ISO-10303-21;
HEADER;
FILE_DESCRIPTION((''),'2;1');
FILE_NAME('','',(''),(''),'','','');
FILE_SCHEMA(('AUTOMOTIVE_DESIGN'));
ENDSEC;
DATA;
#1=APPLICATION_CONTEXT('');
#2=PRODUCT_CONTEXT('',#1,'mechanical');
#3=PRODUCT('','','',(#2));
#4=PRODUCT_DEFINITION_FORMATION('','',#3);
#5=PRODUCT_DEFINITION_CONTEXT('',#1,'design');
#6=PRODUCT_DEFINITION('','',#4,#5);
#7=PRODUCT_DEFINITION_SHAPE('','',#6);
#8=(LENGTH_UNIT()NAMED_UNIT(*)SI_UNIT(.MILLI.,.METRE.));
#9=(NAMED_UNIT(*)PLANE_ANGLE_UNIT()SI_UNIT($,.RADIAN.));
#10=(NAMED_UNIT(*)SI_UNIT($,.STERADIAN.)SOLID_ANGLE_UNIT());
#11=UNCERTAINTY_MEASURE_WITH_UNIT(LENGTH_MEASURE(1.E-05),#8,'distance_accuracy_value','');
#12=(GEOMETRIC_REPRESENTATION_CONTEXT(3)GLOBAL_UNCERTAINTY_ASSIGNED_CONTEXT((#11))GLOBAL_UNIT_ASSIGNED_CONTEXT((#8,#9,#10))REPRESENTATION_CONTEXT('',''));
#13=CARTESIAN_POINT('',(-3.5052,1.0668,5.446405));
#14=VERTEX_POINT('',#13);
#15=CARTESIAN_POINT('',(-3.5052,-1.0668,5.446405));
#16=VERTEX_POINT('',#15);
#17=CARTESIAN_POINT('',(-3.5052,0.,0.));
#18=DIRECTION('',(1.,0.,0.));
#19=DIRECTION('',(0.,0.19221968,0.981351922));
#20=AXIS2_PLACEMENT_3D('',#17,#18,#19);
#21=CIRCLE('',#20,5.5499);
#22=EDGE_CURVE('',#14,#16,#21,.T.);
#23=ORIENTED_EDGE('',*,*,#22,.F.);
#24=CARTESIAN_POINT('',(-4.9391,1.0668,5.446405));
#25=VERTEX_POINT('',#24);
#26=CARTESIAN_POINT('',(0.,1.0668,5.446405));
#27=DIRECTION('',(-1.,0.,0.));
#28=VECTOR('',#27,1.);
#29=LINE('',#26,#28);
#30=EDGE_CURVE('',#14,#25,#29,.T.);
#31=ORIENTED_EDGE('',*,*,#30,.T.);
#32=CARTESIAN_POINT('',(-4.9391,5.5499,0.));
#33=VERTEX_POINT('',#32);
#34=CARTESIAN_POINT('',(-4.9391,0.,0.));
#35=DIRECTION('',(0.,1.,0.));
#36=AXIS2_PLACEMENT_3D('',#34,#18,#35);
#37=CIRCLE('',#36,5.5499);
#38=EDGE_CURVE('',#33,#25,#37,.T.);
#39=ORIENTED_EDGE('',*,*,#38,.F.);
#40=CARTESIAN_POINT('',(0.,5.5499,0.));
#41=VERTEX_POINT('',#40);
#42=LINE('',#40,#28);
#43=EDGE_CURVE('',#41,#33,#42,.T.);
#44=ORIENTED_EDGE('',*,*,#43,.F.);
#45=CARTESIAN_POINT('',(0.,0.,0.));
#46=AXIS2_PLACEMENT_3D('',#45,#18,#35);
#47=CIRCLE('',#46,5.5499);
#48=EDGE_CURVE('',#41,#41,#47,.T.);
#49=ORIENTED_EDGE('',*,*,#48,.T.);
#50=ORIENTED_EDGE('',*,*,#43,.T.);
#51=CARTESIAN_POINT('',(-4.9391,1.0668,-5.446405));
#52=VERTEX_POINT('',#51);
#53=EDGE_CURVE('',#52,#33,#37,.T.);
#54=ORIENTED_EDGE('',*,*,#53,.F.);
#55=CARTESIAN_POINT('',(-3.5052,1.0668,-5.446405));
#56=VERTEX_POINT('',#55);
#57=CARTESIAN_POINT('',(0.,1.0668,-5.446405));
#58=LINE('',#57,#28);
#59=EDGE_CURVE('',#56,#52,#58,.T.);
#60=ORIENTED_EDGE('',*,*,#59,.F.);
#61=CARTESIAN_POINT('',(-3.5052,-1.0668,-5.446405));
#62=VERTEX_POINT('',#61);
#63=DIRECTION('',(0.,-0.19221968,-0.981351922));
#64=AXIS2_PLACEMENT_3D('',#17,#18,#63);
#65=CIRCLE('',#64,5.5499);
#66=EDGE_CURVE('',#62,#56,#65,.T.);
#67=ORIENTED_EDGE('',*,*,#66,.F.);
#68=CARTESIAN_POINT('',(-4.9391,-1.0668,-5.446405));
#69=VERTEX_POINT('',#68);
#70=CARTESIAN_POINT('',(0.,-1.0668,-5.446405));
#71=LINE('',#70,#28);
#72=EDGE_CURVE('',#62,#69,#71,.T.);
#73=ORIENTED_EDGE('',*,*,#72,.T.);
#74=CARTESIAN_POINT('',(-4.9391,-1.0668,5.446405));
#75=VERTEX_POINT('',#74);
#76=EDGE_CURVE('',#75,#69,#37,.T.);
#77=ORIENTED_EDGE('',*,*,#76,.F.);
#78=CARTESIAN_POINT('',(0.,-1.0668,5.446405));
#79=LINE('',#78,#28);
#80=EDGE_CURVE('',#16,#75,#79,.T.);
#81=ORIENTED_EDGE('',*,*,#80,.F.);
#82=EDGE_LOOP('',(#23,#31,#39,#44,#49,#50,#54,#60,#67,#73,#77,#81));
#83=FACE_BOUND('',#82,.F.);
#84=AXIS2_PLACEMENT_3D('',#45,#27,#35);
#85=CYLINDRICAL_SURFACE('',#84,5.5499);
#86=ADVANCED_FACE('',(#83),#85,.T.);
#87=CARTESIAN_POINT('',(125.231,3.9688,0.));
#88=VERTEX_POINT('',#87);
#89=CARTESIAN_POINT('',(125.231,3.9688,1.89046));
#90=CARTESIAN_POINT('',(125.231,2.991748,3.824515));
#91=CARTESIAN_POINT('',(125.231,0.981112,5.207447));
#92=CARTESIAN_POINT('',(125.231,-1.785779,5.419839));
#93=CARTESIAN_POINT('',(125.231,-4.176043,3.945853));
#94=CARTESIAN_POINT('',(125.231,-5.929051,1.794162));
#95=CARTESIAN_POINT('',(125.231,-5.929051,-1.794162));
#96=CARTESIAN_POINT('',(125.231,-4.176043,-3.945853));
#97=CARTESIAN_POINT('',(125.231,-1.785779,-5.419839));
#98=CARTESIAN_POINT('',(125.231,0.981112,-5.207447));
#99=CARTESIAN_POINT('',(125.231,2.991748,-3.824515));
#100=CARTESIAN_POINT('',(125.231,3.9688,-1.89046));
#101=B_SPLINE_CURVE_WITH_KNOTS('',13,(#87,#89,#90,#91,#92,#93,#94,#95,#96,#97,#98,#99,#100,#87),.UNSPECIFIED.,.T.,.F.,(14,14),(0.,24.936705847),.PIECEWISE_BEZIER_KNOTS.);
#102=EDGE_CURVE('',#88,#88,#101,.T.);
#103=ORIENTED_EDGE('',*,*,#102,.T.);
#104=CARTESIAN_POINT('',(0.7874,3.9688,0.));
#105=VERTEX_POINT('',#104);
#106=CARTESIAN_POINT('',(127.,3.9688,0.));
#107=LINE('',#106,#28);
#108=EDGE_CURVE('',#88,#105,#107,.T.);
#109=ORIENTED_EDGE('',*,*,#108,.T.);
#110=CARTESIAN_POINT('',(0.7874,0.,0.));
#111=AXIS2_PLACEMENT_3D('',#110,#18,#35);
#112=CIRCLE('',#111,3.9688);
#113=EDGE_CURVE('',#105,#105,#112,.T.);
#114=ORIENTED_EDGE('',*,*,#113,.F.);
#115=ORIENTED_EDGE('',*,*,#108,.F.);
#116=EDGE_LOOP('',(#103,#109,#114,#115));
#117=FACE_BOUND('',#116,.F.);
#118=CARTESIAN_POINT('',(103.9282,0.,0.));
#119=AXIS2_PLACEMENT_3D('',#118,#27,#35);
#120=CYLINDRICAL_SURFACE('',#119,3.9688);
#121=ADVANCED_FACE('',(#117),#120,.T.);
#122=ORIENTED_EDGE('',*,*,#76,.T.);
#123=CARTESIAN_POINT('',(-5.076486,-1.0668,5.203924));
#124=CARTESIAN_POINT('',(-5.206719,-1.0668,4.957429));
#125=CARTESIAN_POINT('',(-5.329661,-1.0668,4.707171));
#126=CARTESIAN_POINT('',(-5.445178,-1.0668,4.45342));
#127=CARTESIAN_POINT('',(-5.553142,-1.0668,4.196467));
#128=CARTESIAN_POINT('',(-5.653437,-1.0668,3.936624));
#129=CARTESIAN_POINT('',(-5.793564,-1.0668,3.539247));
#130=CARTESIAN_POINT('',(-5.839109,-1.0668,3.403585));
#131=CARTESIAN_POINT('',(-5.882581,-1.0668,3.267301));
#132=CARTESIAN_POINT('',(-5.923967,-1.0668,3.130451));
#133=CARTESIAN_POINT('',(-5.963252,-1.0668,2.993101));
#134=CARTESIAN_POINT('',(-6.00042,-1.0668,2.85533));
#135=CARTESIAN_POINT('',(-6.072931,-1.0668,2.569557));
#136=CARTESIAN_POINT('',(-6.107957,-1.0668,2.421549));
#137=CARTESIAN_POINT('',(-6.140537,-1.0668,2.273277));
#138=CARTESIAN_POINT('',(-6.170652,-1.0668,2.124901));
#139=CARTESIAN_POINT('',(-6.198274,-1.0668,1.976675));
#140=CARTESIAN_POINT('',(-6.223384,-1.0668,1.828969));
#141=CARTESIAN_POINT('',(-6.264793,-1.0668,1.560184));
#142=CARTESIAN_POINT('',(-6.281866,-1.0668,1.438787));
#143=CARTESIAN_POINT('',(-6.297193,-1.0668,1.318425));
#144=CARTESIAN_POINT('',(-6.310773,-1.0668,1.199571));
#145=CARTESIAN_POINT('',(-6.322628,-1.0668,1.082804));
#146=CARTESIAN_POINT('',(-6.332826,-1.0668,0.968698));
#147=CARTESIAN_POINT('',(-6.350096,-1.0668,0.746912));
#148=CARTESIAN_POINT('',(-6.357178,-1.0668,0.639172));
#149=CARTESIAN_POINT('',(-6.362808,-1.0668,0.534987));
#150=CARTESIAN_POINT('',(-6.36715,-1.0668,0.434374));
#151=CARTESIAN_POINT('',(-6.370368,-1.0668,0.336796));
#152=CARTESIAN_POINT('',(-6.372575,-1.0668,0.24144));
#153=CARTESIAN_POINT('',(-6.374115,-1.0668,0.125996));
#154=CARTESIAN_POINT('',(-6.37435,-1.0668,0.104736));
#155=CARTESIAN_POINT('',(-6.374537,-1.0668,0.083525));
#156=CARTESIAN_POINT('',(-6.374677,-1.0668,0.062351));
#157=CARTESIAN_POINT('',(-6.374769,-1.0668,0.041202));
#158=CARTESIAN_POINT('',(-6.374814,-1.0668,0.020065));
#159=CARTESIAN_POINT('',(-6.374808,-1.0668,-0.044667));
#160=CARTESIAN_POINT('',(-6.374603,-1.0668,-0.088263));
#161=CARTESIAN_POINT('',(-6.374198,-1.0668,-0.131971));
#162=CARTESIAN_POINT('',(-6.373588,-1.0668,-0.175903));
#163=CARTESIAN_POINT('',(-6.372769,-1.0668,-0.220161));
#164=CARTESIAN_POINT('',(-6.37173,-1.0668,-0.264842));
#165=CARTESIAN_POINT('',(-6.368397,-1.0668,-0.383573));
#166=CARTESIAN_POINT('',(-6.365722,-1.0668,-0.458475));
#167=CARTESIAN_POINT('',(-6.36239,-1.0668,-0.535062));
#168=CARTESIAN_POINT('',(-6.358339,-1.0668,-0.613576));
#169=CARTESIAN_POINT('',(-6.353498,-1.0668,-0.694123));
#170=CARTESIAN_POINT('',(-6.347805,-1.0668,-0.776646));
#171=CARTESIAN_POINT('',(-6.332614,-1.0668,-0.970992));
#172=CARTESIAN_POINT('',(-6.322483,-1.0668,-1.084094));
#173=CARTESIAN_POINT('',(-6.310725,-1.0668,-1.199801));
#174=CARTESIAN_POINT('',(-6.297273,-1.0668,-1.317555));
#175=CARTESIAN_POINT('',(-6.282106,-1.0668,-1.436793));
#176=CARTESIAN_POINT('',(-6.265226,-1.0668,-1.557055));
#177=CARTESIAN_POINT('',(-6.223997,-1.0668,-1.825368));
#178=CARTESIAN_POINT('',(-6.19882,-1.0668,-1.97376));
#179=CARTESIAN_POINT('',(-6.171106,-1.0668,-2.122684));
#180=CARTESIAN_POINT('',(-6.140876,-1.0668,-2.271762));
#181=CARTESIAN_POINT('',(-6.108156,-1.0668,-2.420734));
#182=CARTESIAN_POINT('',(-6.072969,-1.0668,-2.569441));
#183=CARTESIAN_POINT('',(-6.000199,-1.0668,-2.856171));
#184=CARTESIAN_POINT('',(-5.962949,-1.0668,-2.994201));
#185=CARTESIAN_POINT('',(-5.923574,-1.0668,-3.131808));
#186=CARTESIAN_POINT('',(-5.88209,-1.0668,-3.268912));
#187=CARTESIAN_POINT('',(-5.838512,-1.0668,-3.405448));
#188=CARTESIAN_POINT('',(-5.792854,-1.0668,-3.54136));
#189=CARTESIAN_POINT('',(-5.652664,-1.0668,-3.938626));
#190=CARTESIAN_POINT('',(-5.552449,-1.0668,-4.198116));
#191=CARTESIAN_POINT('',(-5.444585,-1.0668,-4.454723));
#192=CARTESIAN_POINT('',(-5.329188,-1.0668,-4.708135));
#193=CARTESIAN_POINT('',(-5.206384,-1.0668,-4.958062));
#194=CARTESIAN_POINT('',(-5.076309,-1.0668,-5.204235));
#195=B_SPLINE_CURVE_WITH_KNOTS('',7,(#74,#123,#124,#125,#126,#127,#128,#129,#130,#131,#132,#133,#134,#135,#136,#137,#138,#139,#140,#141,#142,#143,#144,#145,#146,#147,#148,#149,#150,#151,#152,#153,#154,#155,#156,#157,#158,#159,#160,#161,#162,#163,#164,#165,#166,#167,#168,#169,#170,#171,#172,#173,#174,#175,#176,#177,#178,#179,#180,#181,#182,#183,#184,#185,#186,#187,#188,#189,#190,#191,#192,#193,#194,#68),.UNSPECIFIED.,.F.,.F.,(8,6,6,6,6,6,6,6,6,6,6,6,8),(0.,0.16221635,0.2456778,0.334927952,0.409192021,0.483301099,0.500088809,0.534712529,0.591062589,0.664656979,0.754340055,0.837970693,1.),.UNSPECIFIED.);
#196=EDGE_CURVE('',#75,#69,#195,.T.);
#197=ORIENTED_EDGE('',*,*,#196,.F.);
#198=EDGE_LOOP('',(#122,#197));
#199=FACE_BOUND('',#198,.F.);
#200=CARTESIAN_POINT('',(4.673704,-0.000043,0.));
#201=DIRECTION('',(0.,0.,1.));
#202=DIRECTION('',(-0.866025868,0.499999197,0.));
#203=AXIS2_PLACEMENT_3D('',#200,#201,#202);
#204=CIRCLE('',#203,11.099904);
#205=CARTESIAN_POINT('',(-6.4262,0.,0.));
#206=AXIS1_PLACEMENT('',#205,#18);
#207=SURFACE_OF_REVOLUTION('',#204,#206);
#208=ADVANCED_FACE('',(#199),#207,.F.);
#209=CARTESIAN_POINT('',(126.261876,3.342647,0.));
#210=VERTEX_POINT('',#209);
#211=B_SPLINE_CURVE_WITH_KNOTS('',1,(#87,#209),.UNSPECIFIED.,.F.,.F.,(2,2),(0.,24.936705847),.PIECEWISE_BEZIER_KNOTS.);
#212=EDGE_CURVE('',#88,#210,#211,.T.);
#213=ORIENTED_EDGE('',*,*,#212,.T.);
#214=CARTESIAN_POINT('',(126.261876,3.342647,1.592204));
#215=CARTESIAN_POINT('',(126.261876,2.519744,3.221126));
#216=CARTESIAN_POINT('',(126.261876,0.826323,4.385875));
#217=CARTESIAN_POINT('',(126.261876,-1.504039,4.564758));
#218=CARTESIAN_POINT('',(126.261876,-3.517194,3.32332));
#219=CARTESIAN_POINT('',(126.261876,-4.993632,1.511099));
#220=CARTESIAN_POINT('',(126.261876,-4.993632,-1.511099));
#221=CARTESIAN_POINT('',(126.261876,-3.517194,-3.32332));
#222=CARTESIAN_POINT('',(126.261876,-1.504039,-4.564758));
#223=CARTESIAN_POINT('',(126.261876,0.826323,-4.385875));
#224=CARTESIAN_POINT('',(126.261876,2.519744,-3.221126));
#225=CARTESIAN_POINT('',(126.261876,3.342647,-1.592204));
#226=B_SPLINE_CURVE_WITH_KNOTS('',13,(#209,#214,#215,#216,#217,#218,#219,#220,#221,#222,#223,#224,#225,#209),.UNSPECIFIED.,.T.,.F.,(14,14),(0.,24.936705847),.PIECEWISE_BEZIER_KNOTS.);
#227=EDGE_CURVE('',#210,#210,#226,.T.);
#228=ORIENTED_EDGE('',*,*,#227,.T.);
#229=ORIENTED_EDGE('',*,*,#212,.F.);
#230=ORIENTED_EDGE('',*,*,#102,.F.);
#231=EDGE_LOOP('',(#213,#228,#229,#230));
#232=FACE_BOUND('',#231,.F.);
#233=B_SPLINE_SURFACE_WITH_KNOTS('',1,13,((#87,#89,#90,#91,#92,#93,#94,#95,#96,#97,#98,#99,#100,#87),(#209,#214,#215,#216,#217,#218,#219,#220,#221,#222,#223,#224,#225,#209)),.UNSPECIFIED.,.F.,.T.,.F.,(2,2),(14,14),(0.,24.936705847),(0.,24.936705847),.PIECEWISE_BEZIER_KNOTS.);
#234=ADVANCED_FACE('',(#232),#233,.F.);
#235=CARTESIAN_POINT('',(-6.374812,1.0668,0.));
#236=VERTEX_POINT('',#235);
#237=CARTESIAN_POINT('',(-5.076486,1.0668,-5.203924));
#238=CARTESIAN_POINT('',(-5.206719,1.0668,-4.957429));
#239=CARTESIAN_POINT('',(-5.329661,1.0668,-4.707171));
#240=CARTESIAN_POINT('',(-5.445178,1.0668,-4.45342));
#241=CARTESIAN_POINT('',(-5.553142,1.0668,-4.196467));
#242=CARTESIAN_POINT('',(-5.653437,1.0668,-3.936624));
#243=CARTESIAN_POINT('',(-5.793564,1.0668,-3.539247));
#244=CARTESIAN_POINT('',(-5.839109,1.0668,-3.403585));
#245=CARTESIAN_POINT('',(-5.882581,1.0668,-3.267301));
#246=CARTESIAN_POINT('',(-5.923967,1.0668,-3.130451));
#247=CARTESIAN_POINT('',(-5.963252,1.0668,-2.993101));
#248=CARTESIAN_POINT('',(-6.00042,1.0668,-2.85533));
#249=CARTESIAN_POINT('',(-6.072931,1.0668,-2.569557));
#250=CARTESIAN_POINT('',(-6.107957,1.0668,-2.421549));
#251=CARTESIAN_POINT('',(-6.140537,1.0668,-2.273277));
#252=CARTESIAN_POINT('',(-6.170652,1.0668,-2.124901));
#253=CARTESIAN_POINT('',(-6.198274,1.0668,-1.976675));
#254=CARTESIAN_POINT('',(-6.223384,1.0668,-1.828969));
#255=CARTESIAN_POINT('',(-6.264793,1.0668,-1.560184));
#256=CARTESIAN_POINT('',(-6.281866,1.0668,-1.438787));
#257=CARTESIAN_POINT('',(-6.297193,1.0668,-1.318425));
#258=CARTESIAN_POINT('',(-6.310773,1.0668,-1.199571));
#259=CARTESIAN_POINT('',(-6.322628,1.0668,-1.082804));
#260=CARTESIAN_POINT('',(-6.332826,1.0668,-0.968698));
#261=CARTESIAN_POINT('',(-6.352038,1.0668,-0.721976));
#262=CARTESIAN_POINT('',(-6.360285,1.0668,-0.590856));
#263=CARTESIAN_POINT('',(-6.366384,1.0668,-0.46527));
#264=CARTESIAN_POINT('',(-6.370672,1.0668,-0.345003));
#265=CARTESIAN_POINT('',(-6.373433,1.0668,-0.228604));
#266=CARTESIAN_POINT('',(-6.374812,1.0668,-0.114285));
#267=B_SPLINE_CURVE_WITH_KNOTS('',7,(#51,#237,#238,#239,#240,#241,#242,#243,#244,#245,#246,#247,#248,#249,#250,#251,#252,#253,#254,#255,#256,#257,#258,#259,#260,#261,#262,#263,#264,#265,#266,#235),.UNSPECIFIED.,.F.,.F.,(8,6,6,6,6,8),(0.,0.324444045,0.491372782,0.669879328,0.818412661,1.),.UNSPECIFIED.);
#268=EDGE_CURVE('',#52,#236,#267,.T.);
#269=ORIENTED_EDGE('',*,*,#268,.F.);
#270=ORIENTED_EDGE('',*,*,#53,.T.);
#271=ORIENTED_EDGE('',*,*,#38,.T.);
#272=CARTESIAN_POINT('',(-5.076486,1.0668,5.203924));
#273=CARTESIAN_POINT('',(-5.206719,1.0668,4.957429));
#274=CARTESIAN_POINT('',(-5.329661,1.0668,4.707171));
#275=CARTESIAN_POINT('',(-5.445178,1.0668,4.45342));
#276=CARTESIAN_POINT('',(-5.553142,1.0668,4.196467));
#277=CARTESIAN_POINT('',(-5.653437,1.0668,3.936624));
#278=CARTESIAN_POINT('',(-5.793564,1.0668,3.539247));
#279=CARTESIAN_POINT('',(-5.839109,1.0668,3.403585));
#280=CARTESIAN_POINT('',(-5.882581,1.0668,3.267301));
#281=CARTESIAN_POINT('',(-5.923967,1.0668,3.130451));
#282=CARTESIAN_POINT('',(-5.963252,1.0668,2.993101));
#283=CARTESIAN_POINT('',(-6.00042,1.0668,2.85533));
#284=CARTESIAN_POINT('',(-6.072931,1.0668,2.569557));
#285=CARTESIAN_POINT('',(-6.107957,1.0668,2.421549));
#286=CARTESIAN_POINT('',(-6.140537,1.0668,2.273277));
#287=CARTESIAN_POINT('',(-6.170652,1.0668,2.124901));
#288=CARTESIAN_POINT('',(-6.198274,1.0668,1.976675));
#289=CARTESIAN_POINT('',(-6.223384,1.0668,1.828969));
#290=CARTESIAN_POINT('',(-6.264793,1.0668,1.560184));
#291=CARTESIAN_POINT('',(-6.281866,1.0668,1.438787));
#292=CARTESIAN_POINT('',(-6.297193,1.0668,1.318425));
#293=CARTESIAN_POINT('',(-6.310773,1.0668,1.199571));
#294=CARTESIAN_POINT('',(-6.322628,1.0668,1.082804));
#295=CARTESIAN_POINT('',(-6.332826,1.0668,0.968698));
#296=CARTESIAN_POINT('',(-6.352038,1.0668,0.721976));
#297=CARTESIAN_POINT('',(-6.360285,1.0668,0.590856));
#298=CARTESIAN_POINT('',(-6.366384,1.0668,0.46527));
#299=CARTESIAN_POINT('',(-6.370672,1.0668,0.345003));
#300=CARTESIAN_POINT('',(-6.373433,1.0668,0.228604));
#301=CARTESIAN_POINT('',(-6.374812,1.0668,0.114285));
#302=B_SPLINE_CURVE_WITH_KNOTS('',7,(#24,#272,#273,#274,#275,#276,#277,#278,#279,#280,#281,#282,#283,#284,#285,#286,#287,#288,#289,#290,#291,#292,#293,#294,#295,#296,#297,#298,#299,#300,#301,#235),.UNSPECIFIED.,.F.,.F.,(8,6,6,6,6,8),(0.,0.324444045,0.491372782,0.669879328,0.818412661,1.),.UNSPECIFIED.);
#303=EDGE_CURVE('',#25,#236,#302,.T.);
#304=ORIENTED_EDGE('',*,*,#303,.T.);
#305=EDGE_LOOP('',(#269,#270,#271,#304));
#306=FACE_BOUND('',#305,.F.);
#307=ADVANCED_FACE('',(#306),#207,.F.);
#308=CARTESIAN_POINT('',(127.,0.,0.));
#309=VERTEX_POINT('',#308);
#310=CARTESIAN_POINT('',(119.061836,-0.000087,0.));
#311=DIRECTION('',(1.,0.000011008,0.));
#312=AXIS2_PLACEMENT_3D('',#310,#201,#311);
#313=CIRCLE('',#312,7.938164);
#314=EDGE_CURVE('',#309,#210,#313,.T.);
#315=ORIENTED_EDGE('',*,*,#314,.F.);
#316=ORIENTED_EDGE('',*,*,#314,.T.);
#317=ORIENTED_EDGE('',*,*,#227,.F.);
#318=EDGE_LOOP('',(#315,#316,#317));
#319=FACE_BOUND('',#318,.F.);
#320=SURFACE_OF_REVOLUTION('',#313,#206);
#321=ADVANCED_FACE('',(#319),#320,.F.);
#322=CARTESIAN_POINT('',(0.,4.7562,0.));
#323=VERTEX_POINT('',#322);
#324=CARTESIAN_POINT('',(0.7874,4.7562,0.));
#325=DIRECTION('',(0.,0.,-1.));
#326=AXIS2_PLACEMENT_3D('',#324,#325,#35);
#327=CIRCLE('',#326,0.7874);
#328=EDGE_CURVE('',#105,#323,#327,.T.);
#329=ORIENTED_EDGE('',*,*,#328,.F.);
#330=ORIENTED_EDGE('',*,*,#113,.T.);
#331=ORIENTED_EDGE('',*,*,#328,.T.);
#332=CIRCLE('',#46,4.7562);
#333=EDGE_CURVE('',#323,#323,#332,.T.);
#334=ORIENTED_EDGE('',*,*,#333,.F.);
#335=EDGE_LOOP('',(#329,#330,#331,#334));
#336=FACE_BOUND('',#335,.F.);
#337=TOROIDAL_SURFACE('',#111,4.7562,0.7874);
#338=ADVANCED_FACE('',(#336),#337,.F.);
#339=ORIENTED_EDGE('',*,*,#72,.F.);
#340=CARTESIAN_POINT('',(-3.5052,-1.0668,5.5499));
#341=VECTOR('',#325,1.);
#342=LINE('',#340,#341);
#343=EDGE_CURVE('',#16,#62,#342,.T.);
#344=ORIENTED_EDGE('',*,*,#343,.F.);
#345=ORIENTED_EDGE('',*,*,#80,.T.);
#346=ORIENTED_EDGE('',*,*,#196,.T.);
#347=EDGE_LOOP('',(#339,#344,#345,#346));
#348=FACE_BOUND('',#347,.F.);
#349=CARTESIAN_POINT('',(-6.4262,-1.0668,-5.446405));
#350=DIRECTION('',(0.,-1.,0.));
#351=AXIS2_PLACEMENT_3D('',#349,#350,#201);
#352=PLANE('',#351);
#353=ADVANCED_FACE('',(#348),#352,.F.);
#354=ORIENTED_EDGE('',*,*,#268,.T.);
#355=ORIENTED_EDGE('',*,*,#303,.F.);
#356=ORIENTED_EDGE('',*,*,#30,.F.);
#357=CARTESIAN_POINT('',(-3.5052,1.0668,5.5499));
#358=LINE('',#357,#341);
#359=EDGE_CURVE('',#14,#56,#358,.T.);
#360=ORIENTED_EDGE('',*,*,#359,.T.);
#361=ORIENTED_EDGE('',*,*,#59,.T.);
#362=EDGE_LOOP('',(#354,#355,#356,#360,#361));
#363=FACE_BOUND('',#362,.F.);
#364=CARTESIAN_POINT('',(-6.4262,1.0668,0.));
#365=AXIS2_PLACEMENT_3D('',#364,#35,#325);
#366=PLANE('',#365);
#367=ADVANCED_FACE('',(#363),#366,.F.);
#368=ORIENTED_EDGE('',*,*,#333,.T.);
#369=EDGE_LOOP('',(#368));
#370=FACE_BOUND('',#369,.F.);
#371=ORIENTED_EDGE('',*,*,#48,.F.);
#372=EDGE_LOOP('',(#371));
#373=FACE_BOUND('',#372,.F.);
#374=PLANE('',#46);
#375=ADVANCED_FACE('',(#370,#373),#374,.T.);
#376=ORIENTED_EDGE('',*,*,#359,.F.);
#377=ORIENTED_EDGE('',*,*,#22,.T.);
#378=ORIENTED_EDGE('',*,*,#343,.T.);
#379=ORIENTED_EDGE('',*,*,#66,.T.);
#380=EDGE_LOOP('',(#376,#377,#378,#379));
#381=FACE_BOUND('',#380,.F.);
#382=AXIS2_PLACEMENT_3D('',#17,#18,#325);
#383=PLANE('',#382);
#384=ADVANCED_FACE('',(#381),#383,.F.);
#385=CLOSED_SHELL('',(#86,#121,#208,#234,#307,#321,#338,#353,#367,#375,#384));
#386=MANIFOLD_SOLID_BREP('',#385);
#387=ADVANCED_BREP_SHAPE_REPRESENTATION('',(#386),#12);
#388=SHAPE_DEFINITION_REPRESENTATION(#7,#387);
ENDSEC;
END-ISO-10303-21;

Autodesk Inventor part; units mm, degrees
ref_plane "YZ Plane" through (0, 0, 0) normal (1, 0, 0) x (0, 1, 0)
sketch "Szkic1" plane through (0, 0, 0) normal (0, 0, 1) x (1, 0, 0)
  line L0 (-6.4262, 0) -> (127, 0)
  line L1 (127, 0) -> (127, 3.9688)
  line L2 (127, 3.9688) -> (104.775, 3.9688)
  line L3 (104.775, 3.9688) -> (103.9282, 3.9688)
  line L4 (103.9282, 3.9688) -> (0, 3.9688)
  line L5 (0, 3.9688) -> (0, 5.5499)
  line L6 (-33.5498, 0) -> (153.7583, 0) projected
  line L7 (0, -1.1296) -> (0, 6.7773) projected
  line L8 (0, 5.5499) -> (-4.9391, 5.5499)
  arc A0 (-4.9391, 5.5499) -> (-6.4262, 0) centre (4.6736, 0) ccw
  line L9 (104.775, 3.9688) -> (0, 3.9687) construction
  dimension "d0" = 127
  dimension "d1" = 22.225
  dimension "d2" = 0.8468
  dimension "d3" = 6.4262
  dimension "d4" = 7.9375
  dimension "d5" = 7.9375
  dimension "d9" = 11.0998
  dimension "d10" = 0
  dimension "d13" = 11.0998
revolve "Bryła" add sketch "Szkic1" angle 360 about axis through (-6.4262, 0, 0) along (1, 0, 0)
ref_plane "IDS_WORKPLANE{1}" through (-6.4262, 0, 0) normal (1, 0, 0) x (0, 0, -1)
sketch "Szkic2" plane through (-6.4262, 0, 0) normal (1, 0, 0) x (0, 0, -1)
  circle A0 centre (0, 0) radius 5.5499 projected
  line L0 (0, -7.7699) -> (0, 7.7699) projected
  line L1 (7.7699, 0) -> (-7.7699, 0) projected
  line L2 (-5.5499, 1.0668) -> (5.5499, 1.0668)
  line L3 (5.5499, 1.0668) -> (5.5499, -1.0668)
  line L4 (5.5499, -1.0668) -> (-5.5499, -1.0668)
  line L5 (-5.5499, -1.0668) -> (-5.5499, 1.0668)
  line L6 (-5.5499, 0) -> (5.5499, 0) construction
  line L7 (0, 1.0668) -> (0, -1.0668) construction
  dimension "d15" = 2.1336
extrude "Szczelina" cut sketch "Szkic2" along normal blind 2.921 contours L1 L0 L2 A0 | L3 L4 A0 | A0 L4 L0 L1 | A0 L2 L3 | L1 A0 L2 L0 | L0 L4 A0 L1 | L5 L2 A0 | A0 L4 L5
thread "Gwint" size "5/16-18 UNC" class "2A" standard "ANSI Unified Screw Threads" length 22.225
sketch "Szkic3" plane through (0, 0, 0) normal (0, 0, 1) x (1, 0, 0)
  line L0 (127, 0) -> (127, 3.9688) projected
  line L1 (127, 3.9688) -> (104.775, 3.9688) projected
  line L2 (-6.4262, 0) -> (127, 0) projected
  arc A0 (127, 0) -> (125.9366, 3.9688) centre (119.0625, 0) ccw
  line L3 (127, -3.9688) -> (127, 3.9688) projected
  line L4 (125.9366, 3.9688) -> (125.9366, 0)
  line L5 (125.9366, 0) -> (127, 0)
  dimension "d40" = 7.9375
revolve "Zaokrąglenie1" cut sketch "Szkic3" angle 360 about axis through (-6.4262, 0, 0) along (1, 0, 0) contours A0 L1 L0
chamfer "Faza" distance 0.7056 angle 45 1 edges at (125.9366, -3.9688, 0)
ref_plane "Work Plane2" through (41.275, 0, 0) normal (0, 0, -1) x (1, 0, 0)
fillet "Zaokrąglenie4" radius 0.7874 1 edges at (0, -3.9688, 0)
equation "\"d0\" = NLG"
equation "\"d1\" = GEL"
equation "\"d2\" = GAL"
equation "\"d3\" = KOH"
equation "\"d4\" = GD"
equation "\"d5\" = BDM"
equation "\"d9\" = KOD"
equation "\"d13\" = KR"
equation "\"d15\" = SBR"
equation "\"d16\" = STI"
equation "\"d40\" = GD"
equation "\"d11\" = GEL"
equation "\"d43\" = 0.5 * RR"
equation "\"d46\" = R"
equation "\"GD\" = NND"
equation "\"NLG\" = 127"
equation "\"GEL\" = 22.225"
equation "\"KOD\" = 11.0998"
equation "\"KOH\" = 6.4262"
equation "\"GAL\" = 0.84684"
equation "\"BDM\" = NND"
equation "\"SBR\" = 2.1336"
equation "\"STI\" = 2.921"
equation "\"KEWI\" = 0"
equation "\"KR\" = KOD"
equation "\"d14\" = -KOH"
equation "\"R\" = 0.7874"
equation "\"THREADDIA\" = 7.9375"
equation "\"TOA\" = 30deg"
equation "\"KOH1\" = 5.1562"
equation "\"NND\" = 7.9375"
equation "\"GD1\" = 6.25856"
equation "\"THREADDESC\" = 1.2345"
equation "\"RR\" = 1.411111"
properties part number "ANSI B18.6.2 - 5/16-18 UNC - 5" material "Stal, miękka"
